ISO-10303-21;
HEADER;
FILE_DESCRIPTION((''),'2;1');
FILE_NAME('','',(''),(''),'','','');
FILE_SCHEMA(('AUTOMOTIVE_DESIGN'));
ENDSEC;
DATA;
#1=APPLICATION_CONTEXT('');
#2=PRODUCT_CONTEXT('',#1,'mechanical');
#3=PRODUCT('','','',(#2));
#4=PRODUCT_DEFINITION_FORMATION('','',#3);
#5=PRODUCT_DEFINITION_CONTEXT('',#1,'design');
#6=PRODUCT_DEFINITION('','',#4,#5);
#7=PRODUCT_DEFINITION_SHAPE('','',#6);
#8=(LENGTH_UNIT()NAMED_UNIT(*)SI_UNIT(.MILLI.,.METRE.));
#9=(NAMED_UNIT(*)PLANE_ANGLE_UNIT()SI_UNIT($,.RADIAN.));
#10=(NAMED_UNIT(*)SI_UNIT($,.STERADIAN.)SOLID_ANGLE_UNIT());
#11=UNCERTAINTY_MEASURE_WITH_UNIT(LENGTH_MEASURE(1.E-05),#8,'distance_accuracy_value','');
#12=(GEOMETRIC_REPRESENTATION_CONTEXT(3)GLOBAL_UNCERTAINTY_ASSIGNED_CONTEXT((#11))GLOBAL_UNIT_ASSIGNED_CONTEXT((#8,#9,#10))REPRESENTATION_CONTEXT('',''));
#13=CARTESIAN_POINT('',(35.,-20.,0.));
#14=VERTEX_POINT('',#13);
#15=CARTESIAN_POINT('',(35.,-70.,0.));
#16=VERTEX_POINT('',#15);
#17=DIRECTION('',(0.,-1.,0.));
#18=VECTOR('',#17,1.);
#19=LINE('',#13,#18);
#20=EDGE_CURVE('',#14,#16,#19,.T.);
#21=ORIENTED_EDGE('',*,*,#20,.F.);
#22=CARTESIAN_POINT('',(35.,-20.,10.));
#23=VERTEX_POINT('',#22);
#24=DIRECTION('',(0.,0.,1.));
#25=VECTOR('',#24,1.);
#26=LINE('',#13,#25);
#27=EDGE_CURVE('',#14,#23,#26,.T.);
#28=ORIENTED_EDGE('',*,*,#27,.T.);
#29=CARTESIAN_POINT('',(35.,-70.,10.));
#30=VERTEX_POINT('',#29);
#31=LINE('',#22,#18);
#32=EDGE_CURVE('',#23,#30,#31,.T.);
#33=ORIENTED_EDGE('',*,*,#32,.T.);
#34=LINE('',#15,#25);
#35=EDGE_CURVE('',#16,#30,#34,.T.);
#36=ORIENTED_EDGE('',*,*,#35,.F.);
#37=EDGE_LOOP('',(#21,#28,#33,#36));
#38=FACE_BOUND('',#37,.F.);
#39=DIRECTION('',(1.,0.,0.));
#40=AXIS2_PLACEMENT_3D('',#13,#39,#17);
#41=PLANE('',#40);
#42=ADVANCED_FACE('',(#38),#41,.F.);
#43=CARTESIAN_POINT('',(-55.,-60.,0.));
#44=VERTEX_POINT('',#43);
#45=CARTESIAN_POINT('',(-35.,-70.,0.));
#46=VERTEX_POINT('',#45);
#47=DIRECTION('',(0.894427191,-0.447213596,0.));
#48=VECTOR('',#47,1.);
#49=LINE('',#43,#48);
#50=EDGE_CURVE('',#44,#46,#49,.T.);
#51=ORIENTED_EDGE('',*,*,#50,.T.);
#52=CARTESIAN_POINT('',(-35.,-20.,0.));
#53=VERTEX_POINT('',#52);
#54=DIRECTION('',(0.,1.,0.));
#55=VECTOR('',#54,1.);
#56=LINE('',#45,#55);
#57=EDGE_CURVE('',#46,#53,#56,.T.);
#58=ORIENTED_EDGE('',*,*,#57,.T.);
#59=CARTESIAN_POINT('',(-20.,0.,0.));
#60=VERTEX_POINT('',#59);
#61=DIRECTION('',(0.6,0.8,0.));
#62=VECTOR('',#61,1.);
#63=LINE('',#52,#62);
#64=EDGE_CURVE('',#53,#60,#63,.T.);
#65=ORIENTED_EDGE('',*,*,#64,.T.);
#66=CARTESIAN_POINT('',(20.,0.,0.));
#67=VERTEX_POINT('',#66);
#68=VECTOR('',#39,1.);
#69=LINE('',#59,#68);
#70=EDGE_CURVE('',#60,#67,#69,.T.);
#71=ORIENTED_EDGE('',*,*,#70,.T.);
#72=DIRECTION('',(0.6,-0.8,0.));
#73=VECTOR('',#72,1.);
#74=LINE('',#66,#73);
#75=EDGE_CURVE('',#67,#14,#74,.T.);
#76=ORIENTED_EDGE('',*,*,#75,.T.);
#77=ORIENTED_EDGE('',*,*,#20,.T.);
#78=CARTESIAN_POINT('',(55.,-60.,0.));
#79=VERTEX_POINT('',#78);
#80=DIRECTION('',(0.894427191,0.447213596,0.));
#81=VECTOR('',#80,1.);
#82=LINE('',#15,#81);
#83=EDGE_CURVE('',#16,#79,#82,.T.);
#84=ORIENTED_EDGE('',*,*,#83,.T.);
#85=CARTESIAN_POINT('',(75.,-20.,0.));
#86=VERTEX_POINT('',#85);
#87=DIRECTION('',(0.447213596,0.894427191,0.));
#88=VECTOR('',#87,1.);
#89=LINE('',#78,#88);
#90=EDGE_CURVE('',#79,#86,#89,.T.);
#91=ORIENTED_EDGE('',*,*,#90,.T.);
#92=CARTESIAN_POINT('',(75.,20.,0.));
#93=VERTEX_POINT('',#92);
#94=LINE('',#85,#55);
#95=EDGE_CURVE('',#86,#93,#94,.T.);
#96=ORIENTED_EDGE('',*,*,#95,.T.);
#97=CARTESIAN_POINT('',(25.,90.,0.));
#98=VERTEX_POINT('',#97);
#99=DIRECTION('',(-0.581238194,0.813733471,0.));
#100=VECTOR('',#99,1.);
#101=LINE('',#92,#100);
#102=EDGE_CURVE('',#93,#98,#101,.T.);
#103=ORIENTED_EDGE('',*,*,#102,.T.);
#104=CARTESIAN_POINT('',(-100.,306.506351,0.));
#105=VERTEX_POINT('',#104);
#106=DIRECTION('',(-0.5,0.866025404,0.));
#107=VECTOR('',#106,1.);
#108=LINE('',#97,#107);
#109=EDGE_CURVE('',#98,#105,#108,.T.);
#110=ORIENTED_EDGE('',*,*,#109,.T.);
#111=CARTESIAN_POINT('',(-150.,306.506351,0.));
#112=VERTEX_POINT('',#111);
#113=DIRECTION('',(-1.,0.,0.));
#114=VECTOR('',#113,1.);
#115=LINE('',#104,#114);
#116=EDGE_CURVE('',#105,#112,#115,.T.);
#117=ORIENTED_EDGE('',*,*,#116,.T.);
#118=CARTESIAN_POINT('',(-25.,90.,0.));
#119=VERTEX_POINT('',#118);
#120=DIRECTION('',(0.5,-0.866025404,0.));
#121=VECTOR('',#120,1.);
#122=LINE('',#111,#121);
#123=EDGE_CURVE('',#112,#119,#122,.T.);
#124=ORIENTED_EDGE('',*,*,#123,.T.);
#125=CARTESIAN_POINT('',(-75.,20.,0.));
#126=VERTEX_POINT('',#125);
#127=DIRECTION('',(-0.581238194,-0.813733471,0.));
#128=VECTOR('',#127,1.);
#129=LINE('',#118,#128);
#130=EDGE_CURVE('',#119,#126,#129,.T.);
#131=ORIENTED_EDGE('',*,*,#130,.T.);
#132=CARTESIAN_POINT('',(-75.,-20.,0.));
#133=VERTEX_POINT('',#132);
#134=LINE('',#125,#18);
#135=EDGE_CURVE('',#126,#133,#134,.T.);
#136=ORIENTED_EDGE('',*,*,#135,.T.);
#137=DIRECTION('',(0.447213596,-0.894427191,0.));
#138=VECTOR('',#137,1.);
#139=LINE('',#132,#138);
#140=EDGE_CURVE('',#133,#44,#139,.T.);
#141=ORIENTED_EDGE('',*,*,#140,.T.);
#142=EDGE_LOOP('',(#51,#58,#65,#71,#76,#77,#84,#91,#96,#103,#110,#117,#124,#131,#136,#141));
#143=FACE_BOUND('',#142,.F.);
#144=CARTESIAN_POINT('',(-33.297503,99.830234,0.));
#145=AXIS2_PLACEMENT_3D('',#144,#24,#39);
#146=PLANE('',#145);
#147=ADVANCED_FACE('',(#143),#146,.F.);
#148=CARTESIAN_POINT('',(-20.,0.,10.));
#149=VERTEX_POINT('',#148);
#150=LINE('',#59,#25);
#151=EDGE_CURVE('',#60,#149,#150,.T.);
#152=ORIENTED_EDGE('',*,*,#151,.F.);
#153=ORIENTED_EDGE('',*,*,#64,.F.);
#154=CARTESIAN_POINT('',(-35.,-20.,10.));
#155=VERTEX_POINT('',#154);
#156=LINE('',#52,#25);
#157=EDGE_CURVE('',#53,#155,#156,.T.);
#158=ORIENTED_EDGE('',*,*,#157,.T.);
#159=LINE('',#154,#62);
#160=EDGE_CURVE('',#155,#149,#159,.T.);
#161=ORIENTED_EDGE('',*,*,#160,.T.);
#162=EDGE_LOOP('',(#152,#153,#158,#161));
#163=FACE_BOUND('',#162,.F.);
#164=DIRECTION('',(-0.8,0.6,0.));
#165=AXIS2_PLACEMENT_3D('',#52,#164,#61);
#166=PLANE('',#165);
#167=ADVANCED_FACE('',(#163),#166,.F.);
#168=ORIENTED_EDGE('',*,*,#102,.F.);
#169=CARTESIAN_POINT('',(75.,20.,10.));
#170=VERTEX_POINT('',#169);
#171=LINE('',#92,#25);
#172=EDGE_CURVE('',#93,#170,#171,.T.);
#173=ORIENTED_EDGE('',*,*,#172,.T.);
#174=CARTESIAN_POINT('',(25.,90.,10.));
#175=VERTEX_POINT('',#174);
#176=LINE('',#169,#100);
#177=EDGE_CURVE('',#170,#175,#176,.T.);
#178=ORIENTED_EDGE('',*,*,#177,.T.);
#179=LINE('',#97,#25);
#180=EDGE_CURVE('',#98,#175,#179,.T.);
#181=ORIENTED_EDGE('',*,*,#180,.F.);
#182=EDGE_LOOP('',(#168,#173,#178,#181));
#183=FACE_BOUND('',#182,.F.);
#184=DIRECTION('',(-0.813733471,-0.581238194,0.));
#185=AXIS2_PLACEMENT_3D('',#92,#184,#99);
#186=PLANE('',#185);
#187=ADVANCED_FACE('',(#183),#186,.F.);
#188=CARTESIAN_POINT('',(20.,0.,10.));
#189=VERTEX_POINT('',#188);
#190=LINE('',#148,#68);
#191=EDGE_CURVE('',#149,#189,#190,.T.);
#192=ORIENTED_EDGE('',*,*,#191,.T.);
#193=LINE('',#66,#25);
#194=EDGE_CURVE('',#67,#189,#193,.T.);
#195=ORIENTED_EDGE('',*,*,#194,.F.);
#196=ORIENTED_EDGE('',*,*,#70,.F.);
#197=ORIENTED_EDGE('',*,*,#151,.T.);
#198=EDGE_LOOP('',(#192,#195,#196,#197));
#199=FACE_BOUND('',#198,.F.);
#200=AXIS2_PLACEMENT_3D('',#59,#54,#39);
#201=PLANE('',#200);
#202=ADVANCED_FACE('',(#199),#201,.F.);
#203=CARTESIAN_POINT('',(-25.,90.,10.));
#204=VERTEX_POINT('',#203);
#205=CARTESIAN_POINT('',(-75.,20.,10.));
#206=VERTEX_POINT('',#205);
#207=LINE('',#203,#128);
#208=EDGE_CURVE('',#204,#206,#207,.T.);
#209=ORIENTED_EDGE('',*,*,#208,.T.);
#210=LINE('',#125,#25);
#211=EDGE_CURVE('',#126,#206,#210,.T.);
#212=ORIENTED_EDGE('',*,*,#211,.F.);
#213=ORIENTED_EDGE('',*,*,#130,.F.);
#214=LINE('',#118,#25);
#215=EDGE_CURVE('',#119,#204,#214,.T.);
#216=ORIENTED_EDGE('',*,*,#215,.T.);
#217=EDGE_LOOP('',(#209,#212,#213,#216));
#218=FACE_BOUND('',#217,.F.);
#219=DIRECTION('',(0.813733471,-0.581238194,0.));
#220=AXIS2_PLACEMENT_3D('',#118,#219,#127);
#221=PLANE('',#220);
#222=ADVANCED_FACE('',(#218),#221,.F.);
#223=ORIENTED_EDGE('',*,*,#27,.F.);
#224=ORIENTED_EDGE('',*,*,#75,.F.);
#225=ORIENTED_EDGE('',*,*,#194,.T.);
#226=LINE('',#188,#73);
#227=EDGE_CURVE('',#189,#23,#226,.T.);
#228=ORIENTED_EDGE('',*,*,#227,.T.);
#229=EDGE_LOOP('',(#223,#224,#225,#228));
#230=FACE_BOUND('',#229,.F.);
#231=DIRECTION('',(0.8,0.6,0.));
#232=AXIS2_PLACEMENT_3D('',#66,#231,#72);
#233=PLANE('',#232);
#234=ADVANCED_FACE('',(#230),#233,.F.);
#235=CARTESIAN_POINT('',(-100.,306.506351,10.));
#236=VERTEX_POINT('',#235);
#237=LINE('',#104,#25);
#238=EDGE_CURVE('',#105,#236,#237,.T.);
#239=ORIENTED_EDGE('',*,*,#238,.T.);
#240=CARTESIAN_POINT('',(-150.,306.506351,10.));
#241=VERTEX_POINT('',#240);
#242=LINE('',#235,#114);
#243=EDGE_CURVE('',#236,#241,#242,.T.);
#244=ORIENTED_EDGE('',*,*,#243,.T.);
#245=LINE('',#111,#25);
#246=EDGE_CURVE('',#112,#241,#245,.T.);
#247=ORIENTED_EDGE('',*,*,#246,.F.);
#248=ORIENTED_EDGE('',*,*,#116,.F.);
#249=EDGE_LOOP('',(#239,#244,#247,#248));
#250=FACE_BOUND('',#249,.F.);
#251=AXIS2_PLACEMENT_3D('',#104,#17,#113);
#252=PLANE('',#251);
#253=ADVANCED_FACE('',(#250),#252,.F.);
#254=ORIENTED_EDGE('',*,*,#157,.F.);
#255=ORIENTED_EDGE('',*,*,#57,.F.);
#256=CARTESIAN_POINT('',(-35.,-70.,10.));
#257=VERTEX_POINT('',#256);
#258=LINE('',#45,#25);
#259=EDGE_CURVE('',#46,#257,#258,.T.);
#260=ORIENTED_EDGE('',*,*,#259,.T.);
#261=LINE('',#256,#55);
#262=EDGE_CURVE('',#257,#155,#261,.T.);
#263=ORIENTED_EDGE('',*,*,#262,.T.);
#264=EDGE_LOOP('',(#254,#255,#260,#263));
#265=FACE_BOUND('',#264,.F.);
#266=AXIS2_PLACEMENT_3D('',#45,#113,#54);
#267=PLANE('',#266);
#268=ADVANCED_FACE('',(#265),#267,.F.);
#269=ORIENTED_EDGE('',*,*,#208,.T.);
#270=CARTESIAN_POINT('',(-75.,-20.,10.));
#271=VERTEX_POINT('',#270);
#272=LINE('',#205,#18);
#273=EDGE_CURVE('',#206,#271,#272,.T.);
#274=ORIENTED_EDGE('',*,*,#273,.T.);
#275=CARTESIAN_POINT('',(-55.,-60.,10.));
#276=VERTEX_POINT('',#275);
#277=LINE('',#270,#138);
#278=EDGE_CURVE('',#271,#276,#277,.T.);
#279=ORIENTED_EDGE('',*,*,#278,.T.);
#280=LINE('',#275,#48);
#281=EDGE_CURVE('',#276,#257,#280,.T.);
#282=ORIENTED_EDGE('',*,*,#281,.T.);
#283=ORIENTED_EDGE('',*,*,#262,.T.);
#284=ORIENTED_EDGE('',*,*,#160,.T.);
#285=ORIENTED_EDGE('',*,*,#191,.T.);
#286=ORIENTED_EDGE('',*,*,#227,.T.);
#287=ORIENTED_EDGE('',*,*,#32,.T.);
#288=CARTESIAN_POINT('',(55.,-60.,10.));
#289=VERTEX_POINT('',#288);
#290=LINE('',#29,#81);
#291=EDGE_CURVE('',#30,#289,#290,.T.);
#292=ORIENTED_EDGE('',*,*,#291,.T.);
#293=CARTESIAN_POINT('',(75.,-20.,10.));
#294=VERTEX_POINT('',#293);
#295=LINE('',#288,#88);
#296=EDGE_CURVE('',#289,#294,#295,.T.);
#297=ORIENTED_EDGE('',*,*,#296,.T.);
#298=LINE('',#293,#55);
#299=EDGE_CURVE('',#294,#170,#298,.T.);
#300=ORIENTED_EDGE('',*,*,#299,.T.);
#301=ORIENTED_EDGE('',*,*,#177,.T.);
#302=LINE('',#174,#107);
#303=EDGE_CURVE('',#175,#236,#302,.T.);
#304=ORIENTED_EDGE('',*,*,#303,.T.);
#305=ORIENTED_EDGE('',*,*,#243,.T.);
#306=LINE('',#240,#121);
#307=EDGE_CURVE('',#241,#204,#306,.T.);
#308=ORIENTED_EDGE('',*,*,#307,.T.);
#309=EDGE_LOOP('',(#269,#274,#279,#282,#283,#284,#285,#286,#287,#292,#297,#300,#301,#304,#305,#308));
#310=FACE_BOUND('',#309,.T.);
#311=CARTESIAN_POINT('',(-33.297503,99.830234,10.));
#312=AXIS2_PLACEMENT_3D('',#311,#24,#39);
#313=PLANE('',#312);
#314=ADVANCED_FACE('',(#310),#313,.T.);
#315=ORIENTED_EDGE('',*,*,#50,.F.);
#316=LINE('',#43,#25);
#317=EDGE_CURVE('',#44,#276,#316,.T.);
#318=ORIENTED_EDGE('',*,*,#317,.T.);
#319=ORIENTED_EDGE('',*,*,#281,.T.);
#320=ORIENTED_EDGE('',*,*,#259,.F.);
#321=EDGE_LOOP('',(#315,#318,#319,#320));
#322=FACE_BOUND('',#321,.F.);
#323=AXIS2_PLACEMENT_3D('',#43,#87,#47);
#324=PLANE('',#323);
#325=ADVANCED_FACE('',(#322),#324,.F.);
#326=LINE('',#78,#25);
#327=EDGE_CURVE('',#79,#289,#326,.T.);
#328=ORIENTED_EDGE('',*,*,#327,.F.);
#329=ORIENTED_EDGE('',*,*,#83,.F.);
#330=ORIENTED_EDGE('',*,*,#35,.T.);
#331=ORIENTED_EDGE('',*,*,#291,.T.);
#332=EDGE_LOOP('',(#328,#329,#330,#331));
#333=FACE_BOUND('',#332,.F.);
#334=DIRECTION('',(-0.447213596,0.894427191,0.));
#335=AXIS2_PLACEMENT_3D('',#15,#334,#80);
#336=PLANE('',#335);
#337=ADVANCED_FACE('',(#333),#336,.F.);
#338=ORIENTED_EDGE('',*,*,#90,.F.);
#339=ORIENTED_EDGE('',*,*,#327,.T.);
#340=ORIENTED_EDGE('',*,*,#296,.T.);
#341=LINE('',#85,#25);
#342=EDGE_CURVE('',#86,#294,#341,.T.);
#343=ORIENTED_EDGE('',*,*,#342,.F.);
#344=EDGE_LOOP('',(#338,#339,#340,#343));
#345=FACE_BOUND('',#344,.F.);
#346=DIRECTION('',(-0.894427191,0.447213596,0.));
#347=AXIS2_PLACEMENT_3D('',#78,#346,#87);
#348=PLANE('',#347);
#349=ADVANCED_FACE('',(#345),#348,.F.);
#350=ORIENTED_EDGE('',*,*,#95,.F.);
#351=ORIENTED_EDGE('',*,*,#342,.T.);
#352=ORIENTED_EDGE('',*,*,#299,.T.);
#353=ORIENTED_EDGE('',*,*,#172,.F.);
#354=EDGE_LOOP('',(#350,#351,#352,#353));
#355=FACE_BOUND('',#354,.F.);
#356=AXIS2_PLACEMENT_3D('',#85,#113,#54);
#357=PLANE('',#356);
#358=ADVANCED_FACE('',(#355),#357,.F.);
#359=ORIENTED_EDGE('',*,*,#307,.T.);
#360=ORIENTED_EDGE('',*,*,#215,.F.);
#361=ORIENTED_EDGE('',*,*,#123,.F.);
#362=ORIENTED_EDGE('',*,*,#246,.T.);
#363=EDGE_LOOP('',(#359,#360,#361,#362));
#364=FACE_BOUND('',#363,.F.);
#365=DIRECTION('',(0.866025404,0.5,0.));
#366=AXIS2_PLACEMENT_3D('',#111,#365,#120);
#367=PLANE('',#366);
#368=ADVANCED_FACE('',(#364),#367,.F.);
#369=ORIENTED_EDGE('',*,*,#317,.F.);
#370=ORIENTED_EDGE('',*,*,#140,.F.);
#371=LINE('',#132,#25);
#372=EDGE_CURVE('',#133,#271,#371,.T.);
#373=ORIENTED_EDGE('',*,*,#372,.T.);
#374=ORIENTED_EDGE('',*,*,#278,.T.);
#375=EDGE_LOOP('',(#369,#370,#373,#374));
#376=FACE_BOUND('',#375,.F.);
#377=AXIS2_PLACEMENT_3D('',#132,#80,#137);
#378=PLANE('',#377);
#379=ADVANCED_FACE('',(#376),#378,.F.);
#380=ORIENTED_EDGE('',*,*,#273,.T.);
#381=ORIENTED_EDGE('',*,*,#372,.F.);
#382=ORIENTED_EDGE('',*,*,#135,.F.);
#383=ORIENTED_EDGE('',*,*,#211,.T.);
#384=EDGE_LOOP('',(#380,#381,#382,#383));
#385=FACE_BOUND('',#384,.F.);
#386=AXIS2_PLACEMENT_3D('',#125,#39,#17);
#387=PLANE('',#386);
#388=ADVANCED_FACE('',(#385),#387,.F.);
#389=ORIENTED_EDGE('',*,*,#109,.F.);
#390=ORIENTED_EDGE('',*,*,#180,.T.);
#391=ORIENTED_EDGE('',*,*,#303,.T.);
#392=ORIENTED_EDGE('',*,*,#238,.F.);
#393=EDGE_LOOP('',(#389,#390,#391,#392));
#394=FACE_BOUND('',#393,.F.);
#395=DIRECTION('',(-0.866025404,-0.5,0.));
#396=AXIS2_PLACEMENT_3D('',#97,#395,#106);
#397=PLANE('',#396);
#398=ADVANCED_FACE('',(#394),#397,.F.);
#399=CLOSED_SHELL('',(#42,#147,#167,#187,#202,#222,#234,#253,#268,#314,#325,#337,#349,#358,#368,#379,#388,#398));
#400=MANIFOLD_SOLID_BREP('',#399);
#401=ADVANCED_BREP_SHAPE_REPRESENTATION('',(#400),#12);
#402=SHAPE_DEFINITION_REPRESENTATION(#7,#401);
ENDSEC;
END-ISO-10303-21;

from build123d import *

# Parameters (mm, degrees)
F1_DEPTH = 10


with BuildPart() as f1:
    # F0 (on Top) → F1 (new body)
    with BuildSketch(Plane.XY):
        Polygon((-35, -20), (-20, 0), (20, 0), (35, -20), (35, -70), (55, -60), (75, -20), (75, 20), (25, 90), (-100, 306.506351), (-150, 306.506351), (-25, 90), (-75, 20), (-75, -20), (-55, -60), (-35, -70), align=None)
    extrude(amount=F1_DEPTH)


solid = f1.part
